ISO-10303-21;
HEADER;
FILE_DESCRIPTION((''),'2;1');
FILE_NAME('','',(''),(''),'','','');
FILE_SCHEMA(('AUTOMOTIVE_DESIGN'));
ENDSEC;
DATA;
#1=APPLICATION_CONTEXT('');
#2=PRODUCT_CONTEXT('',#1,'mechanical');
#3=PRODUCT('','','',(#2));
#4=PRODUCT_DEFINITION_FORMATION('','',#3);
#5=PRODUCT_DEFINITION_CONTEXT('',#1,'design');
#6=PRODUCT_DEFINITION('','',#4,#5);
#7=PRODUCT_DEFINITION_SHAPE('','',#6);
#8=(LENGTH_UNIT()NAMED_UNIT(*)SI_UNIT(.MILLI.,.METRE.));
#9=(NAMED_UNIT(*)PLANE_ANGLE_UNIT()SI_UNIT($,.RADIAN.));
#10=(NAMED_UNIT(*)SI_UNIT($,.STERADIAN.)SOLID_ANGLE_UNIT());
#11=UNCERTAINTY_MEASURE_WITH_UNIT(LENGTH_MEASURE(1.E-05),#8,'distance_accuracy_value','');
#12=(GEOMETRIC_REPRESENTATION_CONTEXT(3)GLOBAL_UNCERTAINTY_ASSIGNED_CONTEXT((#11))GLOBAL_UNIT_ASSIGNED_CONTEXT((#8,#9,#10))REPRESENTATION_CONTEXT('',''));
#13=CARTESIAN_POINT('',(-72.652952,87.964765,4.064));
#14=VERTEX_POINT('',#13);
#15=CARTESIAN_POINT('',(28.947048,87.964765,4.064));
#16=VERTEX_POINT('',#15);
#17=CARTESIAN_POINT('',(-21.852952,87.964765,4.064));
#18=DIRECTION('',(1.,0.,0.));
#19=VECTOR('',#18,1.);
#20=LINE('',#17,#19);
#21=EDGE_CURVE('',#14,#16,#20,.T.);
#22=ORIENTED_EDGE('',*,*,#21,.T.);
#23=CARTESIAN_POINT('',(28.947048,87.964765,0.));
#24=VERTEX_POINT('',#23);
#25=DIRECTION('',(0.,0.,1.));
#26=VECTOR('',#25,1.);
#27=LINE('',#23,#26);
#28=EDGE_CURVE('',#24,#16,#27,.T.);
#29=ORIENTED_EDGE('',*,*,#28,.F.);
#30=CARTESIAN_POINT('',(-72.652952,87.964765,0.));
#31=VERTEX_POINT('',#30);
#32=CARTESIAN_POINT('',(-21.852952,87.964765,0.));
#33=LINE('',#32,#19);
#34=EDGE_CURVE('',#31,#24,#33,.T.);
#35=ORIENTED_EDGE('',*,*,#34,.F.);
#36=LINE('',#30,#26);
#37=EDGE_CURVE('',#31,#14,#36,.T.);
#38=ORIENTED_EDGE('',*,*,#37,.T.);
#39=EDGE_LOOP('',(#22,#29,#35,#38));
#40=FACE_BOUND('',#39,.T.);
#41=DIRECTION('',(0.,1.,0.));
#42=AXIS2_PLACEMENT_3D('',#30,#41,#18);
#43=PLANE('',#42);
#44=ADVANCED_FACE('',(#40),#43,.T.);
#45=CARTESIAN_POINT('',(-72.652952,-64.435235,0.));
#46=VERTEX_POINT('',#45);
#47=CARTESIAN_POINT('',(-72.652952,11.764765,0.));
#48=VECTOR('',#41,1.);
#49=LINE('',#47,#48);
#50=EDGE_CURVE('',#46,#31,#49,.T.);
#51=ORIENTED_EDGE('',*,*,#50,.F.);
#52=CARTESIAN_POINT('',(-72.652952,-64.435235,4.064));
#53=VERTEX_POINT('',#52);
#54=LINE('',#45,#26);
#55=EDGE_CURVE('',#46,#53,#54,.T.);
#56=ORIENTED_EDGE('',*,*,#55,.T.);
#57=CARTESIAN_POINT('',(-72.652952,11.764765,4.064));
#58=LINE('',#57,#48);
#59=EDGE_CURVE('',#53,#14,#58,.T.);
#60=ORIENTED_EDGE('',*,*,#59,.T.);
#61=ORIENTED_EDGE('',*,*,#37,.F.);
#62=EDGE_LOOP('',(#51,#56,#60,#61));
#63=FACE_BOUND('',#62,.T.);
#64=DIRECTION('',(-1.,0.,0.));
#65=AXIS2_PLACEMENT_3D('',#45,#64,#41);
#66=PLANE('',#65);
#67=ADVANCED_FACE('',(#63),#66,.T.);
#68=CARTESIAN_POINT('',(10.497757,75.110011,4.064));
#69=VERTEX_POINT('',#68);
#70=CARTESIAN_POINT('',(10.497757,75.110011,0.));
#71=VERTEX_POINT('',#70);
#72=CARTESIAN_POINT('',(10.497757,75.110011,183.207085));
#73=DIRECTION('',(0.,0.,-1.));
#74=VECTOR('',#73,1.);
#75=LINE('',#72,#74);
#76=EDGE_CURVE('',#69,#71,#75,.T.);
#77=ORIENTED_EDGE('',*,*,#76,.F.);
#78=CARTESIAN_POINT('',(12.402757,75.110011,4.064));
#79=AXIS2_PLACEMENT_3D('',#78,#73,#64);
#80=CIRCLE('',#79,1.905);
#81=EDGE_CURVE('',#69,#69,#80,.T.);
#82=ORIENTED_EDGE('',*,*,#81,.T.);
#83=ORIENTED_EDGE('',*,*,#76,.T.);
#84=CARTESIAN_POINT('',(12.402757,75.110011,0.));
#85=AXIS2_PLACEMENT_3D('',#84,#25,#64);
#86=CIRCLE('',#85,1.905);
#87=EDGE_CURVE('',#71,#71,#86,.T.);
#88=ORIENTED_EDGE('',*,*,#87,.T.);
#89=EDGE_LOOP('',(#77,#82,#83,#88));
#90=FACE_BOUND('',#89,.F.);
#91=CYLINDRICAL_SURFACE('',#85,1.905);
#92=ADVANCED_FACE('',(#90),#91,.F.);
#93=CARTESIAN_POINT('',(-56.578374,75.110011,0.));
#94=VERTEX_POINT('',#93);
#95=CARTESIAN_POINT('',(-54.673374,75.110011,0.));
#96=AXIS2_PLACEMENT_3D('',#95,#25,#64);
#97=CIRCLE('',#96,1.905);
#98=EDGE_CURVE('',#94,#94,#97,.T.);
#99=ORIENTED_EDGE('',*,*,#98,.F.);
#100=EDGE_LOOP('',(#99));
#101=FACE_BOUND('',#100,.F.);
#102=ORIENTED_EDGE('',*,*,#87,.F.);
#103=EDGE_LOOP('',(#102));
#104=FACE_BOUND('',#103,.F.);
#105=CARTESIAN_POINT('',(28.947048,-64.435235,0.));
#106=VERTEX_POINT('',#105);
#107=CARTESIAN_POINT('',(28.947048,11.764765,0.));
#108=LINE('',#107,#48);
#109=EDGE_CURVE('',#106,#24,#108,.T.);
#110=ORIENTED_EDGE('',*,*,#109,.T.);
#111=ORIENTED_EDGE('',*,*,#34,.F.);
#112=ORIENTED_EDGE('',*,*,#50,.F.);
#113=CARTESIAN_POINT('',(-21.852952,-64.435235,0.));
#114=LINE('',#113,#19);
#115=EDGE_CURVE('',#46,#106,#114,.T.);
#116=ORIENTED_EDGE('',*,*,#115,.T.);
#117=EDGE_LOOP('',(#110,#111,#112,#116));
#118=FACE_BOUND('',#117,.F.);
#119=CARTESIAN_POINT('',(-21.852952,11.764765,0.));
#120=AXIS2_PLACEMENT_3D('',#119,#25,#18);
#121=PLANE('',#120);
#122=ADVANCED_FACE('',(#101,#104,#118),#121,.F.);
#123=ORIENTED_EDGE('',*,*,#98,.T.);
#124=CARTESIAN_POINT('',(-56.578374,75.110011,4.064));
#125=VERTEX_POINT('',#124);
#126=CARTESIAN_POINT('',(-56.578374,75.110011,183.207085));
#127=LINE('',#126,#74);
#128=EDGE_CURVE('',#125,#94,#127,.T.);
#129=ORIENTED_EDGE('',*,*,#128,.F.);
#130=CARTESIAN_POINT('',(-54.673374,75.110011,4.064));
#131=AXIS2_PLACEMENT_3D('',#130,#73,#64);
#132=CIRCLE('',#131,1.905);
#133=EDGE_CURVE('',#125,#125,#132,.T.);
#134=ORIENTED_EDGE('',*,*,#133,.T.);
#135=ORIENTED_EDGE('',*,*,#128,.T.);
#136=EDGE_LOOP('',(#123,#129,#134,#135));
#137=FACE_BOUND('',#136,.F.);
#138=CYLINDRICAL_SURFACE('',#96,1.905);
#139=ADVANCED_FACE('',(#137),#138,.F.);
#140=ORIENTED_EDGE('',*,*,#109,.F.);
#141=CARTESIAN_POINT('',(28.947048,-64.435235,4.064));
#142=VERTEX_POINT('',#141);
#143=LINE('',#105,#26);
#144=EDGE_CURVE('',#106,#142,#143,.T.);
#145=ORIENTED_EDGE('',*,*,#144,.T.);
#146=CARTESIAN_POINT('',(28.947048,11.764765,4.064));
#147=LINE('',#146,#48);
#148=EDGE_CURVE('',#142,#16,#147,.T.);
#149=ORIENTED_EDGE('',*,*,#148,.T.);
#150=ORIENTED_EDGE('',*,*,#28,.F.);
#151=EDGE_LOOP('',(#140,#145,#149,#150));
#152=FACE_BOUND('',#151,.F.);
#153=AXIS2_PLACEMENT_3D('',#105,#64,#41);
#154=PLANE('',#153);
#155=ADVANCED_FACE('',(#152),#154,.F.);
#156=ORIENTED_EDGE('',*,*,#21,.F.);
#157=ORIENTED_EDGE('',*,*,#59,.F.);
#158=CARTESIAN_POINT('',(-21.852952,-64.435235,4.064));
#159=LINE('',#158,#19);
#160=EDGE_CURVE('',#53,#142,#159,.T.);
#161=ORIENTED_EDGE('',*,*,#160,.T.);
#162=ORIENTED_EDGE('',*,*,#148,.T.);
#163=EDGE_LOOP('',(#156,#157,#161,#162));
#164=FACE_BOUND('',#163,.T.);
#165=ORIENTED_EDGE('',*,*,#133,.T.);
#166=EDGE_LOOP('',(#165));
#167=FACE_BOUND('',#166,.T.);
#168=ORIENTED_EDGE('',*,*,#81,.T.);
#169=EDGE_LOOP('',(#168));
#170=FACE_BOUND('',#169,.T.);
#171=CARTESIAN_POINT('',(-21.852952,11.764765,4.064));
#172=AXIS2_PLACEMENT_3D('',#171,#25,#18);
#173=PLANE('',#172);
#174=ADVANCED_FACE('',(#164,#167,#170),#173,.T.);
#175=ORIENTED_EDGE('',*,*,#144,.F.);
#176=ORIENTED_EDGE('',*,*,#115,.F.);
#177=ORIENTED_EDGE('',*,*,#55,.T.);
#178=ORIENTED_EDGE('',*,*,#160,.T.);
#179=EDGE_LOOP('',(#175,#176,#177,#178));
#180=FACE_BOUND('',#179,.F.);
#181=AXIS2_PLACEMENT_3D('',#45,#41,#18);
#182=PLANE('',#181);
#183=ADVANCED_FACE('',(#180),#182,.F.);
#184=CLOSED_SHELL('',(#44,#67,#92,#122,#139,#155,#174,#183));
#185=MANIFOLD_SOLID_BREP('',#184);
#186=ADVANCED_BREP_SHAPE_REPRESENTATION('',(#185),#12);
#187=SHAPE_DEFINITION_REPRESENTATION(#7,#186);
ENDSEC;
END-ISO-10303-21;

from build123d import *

# Parameters (mm, degrees)
F0_W           = 101.6
F0_H           = 152.4
F1_DEPTH       = 4.064
F3_D           = 3.81
F3_CBORE_D     = 3.81
F3_CBORE_DEPTH = 0.254


with BuildPart() as f1:
    # F0 (on Top) → F1 (new body)
    with BuildSketch(Plane.XY):
        with Locations((-21.8529518461, 11.7647650868)):
            Rectangle(F0_W, F0_H)
    extrude(amount=F1_DEPTH)

    # F3 (through all)
    with Locations(Plane(origin=(0, 0, 0), x_dir=(1, 0, 0), z_dir=(0, 0, -1))):
        with Locations((12.402757071, -75.1100108027), (-54.6733736992, -75.1100108027)):
            CounterBoreHole(F3_D / 2, F3_CBORE_D / 2, F3_CBORE_DEPTH)


solid = f1.part
